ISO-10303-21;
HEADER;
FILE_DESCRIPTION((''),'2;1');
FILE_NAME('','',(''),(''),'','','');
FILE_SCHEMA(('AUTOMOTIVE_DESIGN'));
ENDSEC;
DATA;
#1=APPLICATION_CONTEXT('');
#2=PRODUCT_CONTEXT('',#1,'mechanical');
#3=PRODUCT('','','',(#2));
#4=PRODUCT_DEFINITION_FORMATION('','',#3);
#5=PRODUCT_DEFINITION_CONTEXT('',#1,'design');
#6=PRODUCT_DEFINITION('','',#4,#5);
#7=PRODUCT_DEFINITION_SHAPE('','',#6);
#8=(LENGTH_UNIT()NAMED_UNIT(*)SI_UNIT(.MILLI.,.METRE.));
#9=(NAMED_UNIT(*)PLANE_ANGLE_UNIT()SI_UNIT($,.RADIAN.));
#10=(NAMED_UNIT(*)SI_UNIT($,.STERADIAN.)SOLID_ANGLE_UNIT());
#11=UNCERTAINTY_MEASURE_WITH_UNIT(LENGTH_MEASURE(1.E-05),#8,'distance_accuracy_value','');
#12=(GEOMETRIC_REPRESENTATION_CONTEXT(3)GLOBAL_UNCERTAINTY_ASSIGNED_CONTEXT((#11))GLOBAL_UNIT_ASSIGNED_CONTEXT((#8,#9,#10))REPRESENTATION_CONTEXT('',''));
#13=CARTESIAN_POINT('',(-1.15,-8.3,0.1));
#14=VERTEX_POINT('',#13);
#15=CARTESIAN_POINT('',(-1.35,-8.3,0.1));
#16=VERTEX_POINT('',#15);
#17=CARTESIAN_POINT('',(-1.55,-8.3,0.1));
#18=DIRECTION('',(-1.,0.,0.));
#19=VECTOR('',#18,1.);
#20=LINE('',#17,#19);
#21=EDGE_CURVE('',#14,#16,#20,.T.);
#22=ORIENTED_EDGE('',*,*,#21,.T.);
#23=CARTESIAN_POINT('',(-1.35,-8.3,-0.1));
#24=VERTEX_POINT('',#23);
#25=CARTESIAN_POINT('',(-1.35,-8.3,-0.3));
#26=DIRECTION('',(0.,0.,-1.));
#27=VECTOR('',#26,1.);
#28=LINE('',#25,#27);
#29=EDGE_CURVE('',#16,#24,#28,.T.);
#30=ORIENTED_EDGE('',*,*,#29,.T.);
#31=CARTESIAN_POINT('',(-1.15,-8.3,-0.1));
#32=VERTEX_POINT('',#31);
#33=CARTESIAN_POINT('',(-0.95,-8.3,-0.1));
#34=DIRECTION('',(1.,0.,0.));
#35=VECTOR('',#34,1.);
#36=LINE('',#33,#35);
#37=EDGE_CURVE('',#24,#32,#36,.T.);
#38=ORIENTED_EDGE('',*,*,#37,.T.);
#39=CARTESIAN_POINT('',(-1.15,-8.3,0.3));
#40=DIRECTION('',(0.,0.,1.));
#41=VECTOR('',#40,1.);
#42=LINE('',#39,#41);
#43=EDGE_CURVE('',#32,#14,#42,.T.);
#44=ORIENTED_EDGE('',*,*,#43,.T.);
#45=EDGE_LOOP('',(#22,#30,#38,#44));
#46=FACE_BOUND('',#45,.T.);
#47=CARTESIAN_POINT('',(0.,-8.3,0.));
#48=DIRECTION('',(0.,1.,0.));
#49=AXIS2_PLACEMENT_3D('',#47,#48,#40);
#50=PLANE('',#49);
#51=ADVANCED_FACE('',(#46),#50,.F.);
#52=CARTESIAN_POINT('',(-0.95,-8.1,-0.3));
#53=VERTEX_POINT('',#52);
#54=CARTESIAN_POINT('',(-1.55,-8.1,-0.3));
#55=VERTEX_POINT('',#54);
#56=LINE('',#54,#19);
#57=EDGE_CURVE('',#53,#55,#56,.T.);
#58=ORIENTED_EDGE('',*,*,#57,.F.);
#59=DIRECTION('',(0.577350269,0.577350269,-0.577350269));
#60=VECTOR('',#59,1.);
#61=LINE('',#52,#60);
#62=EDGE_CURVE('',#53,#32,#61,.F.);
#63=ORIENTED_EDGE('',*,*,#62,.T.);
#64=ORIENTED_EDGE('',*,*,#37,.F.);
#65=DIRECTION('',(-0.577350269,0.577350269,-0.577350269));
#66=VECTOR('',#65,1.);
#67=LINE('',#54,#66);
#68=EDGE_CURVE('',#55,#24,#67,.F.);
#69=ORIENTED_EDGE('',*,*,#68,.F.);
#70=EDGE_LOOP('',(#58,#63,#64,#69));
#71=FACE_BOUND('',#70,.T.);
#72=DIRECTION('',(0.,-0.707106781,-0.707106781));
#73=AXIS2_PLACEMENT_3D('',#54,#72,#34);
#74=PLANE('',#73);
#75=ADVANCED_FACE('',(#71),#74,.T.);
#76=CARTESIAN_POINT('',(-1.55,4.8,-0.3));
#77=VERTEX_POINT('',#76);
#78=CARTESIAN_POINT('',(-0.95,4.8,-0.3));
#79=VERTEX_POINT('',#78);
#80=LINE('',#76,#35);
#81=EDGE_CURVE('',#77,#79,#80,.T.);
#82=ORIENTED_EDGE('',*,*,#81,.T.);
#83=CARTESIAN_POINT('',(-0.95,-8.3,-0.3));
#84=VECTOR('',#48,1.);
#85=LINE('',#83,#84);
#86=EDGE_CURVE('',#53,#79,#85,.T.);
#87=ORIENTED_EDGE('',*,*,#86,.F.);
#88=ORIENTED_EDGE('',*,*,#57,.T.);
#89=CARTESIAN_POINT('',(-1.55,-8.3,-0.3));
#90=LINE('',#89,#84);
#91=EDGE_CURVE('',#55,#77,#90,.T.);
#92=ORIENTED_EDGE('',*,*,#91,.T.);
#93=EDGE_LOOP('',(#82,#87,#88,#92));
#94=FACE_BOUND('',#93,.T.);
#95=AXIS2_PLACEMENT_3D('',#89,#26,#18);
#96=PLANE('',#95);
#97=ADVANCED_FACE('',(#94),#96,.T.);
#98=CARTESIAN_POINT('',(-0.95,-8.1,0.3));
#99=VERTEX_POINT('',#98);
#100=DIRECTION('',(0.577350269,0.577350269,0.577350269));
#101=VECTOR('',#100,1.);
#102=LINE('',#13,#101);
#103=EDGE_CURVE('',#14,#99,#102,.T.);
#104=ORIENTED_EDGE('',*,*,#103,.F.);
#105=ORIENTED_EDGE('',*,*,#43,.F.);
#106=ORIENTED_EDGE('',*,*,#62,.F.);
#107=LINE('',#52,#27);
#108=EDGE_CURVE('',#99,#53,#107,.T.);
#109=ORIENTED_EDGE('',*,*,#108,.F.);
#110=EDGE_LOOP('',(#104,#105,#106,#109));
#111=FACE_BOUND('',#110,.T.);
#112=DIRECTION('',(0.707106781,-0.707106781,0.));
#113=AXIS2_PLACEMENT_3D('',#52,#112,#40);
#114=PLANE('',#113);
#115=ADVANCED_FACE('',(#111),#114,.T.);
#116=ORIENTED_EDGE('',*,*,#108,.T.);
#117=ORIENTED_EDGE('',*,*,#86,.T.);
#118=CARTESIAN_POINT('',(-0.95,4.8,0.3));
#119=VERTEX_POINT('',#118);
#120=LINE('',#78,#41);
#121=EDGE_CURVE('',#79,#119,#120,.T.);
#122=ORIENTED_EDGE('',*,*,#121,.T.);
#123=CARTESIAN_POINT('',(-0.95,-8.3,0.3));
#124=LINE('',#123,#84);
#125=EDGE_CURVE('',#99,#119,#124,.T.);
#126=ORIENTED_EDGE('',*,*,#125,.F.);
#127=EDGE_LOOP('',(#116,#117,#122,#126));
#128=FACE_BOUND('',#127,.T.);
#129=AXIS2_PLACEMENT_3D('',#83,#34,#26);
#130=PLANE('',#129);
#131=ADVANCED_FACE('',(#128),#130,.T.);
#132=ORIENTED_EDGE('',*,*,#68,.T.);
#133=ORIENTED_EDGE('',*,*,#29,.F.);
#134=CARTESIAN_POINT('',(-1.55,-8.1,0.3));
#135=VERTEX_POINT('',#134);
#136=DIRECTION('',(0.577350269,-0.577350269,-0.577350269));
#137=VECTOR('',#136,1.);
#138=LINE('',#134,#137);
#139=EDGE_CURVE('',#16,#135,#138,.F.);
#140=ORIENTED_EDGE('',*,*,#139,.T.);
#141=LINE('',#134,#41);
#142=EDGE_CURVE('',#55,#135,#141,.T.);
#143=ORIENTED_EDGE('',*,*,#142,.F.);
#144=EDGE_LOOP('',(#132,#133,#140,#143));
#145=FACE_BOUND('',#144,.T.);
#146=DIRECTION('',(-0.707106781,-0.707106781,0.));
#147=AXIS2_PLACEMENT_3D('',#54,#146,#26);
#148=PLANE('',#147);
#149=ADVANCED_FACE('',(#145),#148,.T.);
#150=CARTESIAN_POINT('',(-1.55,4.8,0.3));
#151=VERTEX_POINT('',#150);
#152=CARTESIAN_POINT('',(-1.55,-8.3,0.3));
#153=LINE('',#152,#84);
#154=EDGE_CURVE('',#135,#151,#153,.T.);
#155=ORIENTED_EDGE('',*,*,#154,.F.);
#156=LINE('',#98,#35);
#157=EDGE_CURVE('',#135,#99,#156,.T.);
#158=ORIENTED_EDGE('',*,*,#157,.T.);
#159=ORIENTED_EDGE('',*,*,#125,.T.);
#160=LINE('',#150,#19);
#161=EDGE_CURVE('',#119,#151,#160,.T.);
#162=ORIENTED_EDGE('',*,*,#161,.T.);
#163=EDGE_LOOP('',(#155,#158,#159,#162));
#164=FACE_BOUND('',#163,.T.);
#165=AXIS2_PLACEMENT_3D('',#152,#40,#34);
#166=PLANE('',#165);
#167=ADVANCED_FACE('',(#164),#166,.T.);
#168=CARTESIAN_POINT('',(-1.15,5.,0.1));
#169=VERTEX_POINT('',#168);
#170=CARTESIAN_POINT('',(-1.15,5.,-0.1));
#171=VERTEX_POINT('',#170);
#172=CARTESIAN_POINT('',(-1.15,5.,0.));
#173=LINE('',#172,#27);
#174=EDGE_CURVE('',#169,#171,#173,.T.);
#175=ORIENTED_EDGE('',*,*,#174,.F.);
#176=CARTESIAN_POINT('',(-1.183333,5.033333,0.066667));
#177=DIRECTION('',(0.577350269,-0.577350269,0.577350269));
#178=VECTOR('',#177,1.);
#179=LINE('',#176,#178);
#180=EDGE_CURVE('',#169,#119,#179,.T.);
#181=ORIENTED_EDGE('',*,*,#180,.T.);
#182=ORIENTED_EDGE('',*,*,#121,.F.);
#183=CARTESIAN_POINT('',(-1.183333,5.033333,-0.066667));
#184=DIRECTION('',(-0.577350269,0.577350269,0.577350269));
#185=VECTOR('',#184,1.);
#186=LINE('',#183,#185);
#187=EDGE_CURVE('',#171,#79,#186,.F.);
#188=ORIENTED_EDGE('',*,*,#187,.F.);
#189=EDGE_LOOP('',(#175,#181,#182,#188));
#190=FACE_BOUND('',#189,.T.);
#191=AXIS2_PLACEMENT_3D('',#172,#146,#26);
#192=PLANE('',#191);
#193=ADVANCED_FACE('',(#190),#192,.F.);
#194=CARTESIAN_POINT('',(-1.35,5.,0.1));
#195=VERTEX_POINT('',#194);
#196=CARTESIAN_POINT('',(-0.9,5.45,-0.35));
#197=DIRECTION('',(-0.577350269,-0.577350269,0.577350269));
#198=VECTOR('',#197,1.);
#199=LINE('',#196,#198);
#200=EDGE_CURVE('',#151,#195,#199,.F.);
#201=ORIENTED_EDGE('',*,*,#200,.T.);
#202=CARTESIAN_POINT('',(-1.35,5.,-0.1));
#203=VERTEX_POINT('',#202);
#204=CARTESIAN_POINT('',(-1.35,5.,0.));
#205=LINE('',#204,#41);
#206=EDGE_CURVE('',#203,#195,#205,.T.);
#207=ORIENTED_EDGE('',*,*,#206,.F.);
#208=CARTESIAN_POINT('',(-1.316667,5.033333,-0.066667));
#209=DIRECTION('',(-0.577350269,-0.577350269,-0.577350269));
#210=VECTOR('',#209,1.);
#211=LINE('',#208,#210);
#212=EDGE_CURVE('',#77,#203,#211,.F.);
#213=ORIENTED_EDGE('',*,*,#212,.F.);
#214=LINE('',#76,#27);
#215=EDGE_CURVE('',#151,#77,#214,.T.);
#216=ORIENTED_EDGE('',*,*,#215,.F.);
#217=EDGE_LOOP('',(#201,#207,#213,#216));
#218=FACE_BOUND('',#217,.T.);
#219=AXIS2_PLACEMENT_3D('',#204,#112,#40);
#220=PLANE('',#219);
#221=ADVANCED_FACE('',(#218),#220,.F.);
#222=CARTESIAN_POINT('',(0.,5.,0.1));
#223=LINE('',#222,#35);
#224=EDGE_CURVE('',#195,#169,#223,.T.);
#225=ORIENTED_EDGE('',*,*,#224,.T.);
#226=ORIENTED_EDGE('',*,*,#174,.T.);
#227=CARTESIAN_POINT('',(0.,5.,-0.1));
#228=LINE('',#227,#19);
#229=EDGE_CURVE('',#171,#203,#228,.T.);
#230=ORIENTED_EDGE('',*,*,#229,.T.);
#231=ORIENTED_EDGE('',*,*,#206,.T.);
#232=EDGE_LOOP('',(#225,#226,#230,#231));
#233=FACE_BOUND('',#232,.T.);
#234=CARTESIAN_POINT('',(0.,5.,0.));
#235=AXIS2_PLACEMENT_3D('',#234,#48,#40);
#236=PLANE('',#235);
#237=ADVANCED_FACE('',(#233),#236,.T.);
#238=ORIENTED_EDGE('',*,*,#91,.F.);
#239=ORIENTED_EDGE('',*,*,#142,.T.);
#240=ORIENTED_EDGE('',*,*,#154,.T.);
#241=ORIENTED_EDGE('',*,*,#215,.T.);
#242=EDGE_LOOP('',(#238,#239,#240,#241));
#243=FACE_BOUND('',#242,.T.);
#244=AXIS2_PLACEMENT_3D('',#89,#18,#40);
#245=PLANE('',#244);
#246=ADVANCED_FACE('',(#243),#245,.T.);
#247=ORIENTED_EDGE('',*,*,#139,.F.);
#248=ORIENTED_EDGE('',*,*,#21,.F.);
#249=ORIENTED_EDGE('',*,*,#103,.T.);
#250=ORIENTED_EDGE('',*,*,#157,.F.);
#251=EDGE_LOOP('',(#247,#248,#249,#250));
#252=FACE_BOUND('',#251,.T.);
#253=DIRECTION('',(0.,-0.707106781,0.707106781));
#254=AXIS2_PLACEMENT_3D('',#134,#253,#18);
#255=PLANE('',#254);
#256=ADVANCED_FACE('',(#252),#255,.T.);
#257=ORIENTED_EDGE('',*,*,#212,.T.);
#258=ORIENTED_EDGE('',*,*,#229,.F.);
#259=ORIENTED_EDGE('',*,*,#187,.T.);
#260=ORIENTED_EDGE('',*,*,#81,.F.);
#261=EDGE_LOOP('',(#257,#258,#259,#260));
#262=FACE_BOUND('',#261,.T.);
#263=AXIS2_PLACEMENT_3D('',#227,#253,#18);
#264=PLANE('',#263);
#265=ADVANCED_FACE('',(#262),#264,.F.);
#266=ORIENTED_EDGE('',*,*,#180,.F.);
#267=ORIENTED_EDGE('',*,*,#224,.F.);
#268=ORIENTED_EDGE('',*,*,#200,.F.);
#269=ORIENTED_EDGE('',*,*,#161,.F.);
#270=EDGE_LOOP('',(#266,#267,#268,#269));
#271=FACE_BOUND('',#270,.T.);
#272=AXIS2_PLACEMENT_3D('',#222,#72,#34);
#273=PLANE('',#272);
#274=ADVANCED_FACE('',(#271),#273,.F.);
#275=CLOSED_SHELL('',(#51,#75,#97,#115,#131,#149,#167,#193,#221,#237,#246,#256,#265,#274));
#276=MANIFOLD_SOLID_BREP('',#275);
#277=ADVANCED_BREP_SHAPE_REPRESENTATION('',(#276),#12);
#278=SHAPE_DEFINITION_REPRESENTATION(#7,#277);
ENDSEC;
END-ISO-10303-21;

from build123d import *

# Parameters (mm, degrees)
SKETCH1_W                = 5.5
SKETCH1_H                = 2.5
BOSS_EXTRUDE1_DEPTH      = 2.5
BOSS_EXTRUDE2_START      = -10.8
SKETCH2_W                = 0.6
SKETCH2_H                = 0.6
BOSS_EXTRUDE2_DEPTH      = 13.3
CHAMFER1_SIZE            = 0.2
CHAMFER1_OF_MIRROR1_SIZE = 0.2
SKETCH3_W                = 12.315136804
SKETCH3_H                = 10.630786544
SKETCH3_W_2              = 0.6
SKETCH3_H_2              = 0.6
CUT_EXTRUDE2_DEPTH       = 10
CUT_EXTRUDE2_DEPTH_BACK  = 30


with BuildPart() as part:
    # Sketch1 → Boss-Extrude1 (new body)
    with BuildSketch(Plane(origin=(0, 0, 0), x_dir=(1, 0, 0), z_dir=(0, 1, 0))):
        Rectangle(SKETCH1_W, SKETCH1_H)
    extrude(amount=BOSS_EXTRUDE1_DEPTH)

    # Sketch2 → Boss-Extrude2 (add)
    with BuildSketch(Plane(origin=(0, 2.5, 0), x_dir=(1, 0, 0), z_dir=(0, 1, 0)).offset(BOSS_EXTRUDE2_START)):
        with Locations((-1.25, 0)):
            Rectangle(SKETCH2_W, SKETCH2_H)
    boss_extrude2 = extrude(amount=BOSS_EXTRUDE2_DEPTH)

    # Chamfer1
    chamfer1_edges = [part.edges().sort_by_distance(p)[0] for p in [
        (-1.55, -8.3, 0),
        (-1.25, -8.3, -0.3),
        (-0.95, -8.3, 0),
        (-1.25, -8.3, 0.3),
        (-1.55, 5, 0),
        (-1.25, 5, 0.3),
        (-0.95, 5, 0),
        (-1.25, 5, -0.3),
    ]]
    chamfer(chamfer1_edges, length=CHAMFER1_SIZE)

    # Mirror1: Boss-Extrude2 across plane
    add(boss_extrude2.mirror(Plane(origin=(0, 0, 0), x_dir=(0, 0, 1), z_dir=(1, 0, 0))))

    # Chamfer1 of Mirror1
    chamfer1_of_mirror1_edges = [part.edges().sort_by_distance(p)[0] for p in [
        (1.55, -8.3, 0),
        (1.25, -8.3, -0.3),
        (0.95, -8.3, 0),
        (1.25, -8.3, 0.3),
        (1.55, 5, 0),
        (1.25, 5, 0.3),
        (0.95, 5, 0),
        (1.25, 5, -0.3),
    ]]
    chamfer(chamfer1_of_mirror1_edges, length=CHAMFER1_OF_MIRROR1_SIZE)

    # Sketch3 → Cut-Extrude2 (cut, two sides)
    with BuildSketch(Plane(origin=(0, 2.5, 0), x_dir=(1, 0, 0), z_dir=(0, 1, 0))) as cut_extrude2_sk:
        with Locations((0.038795384, 0.437700071)):
            Rectangle(SKETCH3_W, SKETCH3_H)
        with Locations((-1.25, 0)):
            Rectangle(SKETCH3_W_2, SKETCH3_H_2, mode=Mode.SUBTRACT)
    extrude(amount=CUT_EXTRUDE2_DEPTH, mode=Mode.SUBTRACT)
    extrude(cut_extrude2_sk.sketch, amount=-CUT_EXTRUDE2_DEPTH_BACK, mode=Mode.SUBTRACT)


solid = part.part
